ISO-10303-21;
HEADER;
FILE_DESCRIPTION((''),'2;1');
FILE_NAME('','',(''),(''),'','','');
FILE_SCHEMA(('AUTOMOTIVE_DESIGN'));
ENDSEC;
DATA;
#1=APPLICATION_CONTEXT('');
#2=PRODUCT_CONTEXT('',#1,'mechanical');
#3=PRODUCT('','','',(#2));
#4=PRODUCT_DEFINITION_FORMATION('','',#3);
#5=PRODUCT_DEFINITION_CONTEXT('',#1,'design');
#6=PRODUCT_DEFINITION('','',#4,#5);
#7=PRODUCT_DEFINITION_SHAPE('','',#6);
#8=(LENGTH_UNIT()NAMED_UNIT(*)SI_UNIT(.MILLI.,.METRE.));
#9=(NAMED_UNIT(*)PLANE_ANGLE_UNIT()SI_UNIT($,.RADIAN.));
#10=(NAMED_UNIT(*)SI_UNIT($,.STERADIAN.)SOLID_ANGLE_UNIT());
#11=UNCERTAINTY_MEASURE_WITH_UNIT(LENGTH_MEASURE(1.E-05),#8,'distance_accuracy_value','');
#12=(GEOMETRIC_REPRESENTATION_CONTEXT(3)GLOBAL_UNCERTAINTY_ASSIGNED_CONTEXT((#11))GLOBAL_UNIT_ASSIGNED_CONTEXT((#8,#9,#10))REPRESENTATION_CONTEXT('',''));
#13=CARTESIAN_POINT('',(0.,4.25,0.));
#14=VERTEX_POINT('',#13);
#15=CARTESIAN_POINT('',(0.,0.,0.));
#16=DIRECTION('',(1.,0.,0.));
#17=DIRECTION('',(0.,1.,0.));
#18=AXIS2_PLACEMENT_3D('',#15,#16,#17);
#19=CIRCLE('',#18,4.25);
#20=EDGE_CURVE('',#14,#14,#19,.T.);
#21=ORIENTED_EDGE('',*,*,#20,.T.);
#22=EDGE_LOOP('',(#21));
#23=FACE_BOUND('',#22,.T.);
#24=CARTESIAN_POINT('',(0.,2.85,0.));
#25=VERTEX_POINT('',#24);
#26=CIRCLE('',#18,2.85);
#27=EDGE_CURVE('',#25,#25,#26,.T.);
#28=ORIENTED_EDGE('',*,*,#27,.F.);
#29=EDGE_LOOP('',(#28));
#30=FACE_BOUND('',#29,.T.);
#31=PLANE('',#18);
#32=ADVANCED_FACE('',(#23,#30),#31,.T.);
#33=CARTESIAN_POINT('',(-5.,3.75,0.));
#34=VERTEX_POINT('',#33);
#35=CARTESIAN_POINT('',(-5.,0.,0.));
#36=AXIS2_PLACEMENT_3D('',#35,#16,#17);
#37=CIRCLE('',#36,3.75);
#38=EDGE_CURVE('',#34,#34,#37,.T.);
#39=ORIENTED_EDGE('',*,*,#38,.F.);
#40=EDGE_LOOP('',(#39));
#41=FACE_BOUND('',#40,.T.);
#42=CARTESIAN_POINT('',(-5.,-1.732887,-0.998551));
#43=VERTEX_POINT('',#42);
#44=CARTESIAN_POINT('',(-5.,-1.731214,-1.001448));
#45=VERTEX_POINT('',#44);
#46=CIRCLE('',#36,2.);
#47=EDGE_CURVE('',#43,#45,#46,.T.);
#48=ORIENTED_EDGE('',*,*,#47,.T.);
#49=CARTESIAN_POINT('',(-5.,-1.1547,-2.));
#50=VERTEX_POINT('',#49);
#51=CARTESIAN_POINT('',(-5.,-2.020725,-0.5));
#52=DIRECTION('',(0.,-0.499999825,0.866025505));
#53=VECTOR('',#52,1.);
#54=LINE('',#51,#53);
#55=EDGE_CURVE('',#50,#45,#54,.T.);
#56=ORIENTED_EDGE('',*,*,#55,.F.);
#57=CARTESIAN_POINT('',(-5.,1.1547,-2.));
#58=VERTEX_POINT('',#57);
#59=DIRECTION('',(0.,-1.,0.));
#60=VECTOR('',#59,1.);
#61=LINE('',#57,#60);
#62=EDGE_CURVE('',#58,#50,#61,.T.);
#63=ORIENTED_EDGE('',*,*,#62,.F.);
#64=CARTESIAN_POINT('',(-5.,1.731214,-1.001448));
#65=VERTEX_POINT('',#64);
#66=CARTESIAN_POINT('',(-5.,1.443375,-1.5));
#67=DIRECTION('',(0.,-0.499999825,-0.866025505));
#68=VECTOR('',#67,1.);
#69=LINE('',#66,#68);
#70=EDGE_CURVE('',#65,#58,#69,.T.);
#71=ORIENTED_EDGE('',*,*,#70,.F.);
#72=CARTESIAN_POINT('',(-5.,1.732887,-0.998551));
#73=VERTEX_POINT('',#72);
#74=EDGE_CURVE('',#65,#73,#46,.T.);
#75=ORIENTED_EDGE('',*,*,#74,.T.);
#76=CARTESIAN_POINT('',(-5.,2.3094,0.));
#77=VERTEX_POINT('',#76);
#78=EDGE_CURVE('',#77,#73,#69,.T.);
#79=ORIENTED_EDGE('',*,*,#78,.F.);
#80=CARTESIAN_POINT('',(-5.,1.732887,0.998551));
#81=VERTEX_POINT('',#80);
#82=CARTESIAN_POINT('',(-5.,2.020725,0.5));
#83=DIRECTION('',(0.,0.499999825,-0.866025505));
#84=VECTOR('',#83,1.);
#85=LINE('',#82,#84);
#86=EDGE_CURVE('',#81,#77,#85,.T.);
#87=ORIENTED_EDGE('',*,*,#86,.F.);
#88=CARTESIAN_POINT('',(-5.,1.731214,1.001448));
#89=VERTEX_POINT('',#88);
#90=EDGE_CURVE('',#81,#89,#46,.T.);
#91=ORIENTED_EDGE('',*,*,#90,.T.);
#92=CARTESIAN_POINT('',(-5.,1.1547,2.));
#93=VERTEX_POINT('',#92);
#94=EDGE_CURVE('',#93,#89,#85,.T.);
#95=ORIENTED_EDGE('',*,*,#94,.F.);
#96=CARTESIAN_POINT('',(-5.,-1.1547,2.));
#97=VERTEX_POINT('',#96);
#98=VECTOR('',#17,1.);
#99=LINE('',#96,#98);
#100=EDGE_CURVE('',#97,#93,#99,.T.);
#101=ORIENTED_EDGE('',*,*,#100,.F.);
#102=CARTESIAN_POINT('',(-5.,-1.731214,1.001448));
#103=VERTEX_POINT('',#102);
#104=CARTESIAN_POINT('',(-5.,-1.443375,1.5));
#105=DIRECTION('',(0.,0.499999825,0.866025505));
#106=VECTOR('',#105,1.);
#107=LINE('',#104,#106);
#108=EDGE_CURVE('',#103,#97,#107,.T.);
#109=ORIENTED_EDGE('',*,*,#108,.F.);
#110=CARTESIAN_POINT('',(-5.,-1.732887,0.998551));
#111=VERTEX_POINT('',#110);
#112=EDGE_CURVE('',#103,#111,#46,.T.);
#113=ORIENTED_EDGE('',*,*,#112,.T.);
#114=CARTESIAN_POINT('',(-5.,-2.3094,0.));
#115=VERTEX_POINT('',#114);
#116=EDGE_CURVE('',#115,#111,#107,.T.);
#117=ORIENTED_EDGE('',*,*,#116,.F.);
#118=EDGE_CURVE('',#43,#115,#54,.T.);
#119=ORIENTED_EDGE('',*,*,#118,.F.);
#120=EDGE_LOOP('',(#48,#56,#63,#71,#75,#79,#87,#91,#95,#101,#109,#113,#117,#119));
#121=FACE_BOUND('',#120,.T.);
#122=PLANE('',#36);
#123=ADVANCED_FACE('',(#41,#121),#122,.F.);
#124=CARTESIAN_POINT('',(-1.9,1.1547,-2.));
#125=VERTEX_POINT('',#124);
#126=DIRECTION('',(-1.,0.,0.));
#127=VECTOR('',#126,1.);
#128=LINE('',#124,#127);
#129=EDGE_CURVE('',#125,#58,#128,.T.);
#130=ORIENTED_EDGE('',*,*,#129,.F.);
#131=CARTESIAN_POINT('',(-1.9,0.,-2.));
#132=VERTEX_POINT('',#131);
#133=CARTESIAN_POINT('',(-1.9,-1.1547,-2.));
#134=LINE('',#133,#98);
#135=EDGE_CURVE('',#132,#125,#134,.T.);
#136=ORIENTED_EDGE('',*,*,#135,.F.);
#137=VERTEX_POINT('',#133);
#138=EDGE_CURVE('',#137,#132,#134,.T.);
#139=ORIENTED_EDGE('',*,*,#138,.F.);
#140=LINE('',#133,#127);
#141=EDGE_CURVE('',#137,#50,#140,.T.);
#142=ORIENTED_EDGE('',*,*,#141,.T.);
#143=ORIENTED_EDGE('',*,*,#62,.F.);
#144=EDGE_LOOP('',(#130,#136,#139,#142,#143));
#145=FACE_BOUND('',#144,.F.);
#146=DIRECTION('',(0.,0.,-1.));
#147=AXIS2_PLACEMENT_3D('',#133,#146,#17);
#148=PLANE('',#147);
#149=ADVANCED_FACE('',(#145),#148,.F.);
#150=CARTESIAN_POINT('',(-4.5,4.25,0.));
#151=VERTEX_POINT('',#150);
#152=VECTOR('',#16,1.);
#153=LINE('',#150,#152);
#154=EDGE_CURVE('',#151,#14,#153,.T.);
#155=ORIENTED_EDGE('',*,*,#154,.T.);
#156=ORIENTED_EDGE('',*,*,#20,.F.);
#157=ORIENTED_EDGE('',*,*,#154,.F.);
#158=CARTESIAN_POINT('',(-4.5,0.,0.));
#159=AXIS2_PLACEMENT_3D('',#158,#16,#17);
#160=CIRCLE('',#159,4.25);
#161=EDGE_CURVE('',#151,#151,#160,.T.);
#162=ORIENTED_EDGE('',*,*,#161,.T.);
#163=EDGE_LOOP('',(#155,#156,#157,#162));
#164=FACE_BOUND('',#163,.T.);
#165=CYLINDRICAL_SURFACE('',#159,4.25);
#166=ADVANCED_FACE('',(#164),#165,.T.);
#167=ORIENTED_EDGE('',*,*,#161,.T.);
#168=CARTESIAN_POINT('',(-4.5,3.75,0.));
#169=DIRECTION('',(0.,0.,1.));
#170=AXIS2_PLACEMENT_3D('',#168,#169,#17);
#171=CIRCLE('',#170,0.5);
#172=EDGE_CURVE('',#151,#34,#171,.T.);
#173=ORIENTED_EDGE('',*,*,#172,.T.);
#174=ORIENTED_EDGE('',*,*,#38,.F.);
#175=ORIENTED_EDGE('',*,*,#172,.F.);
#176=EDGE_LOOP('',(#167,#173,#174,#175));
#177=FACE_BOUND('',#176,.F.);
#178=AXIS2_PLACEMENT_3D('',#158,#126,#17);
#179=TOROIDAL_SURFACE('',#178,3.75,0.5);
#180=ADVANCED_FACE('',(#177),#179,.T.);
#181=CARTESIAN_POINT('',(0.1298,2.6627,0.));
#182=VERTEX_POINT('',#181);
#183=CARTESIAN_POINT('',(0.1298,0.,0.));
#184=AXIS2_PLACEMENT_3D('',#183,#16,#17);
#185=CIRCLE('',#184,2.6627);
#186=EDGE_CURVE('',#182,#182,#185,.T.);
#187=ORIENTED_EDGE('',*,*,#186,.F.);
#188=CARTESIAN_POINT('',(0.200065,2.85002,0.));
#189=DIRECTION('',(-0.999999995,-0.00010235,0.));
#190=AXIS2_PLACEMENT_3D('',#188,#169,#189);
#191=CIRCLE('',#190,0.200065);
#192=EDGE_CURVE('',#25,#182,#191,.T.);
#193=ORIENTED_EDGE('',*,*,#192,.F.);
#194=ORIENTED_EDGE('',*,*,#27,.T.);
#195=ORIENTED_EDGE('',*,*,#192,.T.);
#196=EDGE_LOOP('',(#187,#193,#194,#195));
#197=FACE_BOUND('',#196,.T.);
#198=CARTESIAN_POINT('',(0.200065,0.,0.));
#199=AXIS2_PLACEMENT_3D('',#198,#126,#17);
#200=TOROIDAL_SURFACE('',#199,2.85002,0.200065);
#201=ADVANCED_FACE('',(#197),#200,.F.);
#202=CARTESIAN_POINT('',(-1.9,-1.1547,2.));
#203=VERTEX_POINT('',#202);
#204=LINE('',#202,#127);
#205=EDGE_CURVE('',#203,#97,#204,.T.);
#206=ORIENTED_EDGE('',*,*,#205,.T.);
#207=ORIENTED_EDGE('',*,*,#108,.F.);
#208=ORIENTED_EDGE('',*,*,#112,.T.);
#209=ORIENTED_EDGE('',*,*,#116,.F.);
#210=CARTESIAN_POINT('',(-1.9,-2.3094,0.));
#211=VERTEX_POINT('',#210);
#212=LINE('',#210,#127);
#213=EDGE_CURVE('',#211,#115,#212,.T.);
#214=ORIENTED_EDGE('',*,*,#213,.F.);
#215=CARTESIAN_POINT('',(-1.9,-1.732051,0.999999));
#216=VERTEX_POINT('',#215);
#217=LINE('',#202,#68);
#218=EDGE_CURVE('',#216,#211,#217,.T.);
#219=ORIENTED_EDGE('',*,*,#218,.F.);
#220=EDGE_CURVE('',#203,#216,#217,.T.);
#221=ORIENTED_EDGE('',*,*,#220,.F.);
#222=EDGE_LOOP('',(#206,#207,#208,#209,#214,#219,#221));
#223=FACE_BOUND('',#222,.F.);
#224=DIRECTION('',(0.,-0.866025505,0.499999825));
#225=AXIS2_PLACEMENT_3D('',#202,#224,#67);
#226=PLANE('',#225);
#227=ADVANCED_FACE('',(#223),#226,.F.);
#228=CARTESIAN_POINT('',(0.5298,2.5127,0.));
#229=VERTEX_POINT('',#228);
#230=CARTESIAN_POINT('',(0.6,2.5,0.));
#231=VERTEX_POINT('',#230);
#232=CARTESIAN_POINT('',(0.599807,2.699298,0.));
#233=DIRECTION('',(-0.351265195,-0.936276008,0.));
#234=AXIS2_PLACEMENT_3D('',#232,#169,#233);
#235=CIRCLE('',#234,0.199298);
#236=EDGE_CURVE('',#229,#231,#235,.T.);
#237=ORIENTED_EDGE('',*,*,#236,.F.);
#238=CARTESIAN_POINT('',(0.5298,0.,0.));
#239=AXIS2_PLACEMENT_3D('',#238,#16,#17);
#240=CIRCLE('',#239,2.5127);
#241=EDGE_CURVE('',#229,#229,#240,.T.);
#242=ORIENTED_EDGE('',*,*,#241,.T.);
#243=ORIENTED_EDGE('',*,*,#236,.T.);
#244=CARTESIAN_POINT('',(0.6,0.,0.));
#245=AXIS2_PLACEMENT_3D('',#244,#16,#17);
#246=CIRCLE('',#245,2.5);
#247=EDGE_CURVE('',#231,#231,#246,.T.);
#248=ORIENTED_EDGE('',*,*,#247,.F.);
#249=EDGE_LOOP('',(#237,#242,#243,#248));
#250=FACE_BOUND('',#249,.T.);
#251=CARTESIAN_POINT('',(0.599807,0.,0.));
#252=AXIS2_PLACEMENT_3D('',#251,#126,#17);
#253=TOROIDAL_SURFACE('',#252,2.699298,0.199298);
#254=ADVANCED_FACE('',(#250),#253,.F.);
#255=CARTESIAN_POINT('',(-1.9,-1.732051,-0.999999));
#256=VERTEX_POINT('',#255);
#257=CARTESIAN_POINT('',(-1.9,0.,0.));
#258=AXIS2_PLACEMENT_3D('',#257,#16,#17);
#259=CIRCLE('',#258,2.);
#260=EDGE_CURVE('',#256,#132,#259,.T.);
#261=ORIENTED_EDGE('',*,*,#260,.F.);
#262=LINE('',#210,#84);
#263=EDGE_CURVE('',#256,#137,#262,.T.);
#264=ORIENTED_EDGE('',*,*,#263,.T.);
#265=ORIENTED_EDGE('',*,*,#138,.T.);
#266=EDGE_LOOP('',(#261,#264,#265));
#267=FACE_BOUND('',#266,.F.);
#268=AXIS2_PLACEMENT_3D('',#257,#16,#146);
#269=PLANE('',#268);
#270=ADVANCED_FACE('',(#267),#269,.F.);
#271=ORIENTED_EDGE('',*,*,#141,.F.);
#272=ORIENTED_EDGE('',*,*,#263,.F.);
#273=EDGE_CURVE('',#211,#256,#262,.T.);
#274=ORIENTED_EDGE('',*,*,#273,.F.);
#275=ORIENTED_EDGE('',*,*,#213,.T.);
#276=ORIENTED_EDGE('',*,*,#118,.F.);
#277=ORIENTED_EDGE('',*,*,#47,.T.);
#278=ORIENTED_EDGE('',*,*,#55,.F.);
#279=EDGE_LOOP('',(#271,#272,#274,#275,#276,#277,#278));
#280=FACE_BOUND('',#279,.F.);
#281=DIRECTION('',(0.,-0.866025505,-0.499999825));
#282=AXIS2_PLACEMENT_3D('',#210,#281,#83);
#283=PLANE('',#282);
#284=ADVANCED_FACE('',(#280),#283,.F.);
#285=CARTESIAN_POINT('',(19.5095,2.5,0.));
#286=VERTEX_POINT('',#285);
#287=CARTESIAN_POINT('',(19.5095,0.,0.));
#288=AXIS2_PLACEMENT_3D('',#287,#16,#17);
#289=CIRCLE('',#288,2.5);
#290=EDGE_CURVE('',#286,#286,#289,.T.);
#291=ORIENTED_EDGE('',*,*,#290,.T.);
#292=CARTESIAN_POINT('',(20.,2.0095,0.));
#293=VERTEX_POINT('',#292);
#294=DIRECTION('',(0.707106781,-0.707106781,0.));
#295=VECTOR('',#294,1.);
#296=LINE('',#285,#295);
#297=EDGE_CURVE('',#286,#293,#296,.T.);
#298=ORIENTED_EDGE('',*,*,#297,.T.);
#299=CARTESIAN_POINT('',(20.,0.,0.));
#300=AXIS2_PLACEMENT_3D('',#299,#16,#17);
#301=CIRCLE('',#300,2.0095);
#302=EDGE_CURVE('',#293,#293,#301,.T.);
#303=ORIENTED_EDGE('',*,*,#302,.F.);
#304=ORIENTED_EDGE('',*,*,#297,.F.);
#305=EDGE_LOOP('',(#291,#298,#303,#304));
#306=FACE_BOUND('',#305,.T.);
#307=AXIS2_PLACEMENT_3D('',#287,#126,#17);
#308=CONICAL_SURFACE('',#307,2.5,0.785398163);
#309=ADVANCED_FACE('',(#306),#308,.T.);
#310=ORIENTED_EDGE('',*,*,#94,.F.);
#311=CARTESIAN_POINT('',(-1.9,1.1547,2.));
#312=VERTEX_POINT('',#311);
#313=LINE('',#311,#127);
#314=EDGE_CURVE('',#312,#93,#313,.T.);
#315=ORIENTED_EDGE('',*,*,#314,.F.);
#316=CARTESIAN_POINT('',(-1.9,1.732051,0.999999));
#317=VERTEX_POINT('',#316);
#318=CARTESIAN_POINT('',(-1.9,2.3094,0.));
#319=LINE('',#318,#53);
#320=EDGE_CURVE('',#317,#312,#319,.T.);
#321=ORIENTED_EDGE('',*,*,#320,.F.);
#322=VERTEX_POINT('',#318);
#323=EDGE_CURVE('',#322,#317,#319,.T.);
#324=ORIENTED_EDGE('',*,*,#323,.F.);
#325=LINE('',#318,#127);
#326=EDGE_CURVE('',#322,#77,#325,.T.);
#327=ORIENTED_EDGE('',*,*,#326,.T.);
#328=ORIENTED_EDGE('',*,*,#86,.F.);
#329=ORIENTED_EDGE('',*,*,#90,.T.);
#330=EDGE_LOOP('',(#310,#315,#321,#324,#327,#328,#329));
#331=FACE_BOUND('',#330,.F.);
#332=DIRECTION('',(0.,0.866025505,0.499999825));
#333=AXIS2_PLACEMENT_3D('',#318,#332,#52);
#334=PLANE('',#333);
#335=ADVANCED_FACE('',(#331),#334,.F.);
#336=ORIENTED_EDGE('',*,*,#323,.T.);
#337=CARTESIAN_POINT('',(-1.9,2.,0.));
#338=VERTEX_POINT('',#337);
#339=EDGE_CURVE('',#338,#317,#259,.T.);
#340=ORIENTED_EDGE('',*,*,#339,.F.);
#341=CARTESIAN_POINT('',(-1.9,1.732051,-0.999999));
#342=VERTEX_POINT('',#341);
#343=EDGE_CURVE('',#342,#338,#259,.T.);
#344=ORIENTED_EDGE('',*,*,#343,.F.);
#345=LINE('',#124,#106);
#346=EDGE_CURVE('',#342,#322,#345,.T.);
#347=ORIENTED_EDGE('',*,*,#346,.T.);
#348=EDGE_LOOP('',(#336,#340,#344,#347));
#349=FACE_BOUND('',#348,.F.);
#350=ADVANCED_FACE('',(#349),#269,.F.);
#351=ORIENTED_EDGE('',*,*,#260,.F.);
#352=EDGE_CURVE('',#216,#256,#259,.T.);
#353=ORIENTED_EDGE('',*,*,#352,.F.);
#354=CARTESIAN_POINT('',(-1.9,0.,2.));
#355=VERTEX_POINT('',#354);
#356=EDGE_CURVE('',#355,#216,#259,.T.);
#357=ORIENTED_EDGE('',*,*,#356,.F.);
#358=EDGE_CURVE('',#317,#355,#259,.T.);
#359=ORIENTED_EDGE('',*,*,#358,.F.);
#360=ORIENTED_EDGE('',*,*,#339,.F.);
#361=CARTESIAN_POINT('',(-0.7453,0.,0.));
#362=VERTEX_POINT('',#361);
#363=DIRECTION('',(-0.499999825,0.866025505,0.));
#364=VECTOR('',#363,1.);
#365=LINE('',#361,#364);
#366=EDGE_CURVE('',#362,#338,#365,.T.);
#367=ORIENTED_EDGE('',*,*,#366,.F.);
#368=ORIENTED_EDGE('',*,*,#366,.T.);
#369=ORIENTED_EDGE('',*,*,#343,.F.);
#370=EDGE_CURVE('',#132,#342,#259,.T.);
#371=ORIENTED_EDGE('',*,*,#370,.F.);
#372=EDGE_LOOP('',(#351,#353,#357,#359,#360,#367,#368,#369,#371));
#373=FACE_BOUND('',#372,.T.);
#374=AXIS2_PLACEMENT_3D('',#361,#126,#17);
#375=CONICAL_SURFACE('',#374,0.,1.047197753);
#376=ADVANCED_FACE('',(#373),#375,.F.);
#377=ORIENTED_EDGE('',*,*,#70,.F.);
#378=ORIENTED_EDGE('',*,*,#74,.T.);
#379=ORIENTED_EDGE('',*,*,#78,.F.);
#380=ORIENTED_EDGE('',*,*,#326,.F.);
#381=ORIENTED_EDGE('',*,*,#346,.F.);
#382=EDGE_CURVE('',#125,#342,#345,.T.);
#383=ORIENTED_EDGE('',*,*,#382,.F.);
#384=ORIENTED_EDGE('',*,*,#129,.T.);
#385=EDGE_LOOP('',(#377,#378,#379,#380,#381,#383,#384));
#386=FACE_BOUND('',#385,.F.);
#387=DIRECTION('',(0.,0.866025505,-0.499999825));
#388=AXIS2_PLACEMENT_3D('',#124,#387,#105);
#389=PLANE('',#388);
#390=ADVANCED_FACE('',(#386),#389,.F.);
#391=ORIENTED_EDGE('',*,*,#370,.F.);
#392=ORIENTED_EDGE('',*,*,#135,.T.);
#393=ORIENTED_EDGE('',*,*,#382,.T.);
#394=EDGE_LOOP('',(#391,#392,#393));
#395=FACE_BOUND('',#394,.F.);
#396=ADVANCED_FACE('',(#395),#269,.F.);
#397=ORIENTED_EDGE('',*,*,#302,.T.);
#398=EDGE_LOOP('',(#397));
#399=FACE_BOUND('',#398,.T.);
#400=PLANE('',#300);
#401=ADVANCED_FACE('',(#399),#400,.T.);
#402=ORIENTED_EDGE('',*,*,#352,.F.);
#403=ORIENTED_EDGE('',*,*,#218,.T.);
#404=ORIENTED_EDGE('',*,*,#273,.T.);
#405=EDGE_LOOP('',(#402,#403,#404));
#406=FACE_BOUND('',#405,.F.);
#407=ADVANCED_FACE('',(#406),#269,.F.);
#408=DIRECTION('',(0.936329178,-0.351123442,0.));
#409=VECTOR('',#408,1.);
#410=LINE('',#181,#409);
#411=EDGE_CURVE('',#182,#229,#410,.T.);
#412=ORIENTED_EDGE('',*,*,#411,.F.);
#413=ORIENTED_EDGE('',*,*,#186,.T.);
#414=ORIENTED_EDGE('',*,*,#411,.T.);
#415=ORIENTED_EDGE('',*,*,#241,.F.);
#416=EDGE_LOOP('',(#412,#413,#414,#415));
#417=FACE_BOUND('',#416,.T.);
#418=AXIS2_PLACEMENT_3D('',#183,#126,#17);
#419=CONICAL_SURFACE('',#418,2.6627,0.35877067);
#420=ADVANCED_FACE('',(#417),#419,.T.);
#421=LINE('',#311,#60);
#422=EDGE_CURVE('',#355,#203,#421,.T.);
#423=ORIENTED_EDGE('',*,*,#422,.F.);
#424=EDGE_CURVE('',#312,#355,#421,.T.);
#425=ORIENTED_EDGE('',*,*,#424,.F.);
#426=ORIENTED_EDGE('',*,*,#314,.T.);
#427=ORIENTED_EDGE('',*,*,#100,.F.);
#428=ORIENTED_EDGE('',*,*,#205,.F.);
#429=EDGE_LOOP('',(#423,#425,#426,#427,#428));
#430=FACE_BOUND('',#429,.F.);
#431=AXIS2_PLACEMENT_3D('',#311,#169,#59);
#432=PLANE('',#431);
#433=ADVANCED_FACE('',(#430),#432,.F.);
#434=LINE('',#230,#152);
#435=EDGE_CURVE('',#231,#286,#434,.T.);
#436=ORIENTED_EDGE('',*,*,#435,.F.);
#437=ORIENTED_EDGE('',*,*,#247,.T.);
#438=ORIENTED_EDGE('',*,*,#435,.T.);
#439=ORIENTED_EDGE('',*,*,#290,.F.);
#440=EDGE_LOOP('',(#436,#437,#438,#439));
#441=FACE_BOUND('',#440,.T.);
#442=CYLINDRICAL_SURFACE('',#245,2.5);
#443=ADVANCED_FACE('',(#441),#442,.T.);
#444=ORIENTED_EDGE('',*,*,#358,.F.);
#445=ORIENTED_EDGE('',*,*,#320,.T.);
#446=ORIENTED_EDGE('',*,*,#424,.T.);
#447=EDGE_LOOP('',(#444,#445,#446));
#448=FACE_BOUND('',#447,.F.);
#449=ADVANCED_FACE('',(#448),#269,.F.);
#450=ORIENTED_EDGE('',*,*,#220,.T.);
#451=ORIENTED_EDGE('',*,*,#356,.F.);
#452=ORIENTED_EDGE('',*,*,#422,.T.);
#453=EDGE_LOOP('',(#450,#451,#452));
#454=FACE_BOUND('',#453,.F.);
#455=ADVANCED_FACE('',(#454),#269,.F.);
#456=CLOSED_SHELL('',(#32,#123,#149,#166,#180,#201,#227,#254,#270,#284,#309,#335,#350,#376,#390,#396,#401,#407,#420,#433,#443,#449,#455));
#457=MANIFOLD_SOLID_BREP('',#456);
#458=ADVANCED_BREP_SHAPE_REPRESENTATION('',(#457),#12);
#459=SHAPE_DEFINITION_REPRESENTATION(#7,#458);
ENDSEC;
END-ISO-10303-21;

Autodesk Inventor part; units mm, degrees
sketch "Skizze_2" plane through (0, 0, 0) normal (0, 0, 1) x (1, 0, 0)
  line L0 (20, 0) -> (-0.7453, 0)
  line L1 (-0.7453, 0) -> (-1.9, 2)
  line L2 (-1.9, 2) -> (-5, 2)
  line L3 (-5, 2) -> (-5, 3.75)
  arc A0 (-4.5, 4.25) -> (-5, 3.75) centre (-4.5, 3.75) ccw
  line L4 (-4.5, 4.25) -> (0, 4.25)
  line L5 (0, 4.25) -> (0, 2.85)
  arc A1 (0, 2.85) -> (0.1298, 2.6627) centre (0.2, 2.85) ccw
  line L6 (0.1298, 2.6627) -> (0.5298, 2.5127)
  arc A2 (0.5298, 2.5127) -> (0.6, 2.5) centre (0.6, 2.7) ccw
  line L7 (0.6, 2.5) -> (19.5095, 2.5)
  line L8 (19.5095, 2.5) -> (20, 2.0095)
  line L9 (20, 2.0095) -> (20, 0)
  line L10 (20, 0) -> (-0.7453, 0)
revolve "Revolution1" add sketch "Skizze_2" angle 360 about axis through (20, 0, 0) along (1, 0, 0)
thread "Thread1" size "M5x0.8" class "6g" standard "ISO Metric profile" length 1.9095
sketch "Skizze_1" plane through (-1.9, 0, 0) normal (1, 0, 0) x (0, 0, -1)
  line L0 (-2, 1.1547) -> (-2, -1.1547)
  line L1 (-2, -1.1547) -> (0, -2.3094)
  line L2 (0, -2.3094) -> (2, -1.1547)
  line L3 (2, -1.1547) -> (2, 1.1547)
  line L4 (2, 1.1547) -> (0, 2.3094)
  line L5 (0, 2.3094) -> (-2, 1.1547)
extrude "Extrusion1" cut sketch "Skizze_1" against normal blind 5
ref_plane "IP1_XY" through (0, 0, 0) normal (1, 0, 0) x (0, 0, -1)
ref_plane "IP1_YZ" through (0, 0, 0) normal (0, 0, -1) x (0, 1, 0)
ref_plane "IP1_ZX" through (0, 0, 0) normal (0, 1, 0) x (1, 0, 0)
ref_plane "IP2_XY" through (-5, 0, 0) normal (1, 0, 0) x (0, 0, -1)
ref_plane "IP2_YZ" through (-5, 0, 0) normal (0, 0, -1) x (0, 1, 0)
ref_plane "IP2_ZX" through (-5, 0, 0) normal (0, 1, 0) x (1, 0, 0)
ref_plane "IP3_XY" through (20, 0, 0) normal (1, 0, 0) x (0, 0, -1)
ref_plane "IP3_YZ" through (20, 0, 0) normal (0, 0, -1) x (0, 1, 0)
ref_plane "IP3_ZX" through (20, 0, 0) normal (0, 1, 0) x (1, 0, 0)
ref_plane "IP4_XY" through (0, 0, 0) normal (1, 0, 0) x (0, 0, -1)
ref_plane "IP4_YZ" through (0, 0, 0) normal (0, 0, -1) x (0, 1, 0)
ref_plane "IP4_ZX" through (0, 0, 0) normal (0, 1, 0) x (1, 0, 0)
properties part number "Slotted head cap screw ISO 4762 - M5x20"
